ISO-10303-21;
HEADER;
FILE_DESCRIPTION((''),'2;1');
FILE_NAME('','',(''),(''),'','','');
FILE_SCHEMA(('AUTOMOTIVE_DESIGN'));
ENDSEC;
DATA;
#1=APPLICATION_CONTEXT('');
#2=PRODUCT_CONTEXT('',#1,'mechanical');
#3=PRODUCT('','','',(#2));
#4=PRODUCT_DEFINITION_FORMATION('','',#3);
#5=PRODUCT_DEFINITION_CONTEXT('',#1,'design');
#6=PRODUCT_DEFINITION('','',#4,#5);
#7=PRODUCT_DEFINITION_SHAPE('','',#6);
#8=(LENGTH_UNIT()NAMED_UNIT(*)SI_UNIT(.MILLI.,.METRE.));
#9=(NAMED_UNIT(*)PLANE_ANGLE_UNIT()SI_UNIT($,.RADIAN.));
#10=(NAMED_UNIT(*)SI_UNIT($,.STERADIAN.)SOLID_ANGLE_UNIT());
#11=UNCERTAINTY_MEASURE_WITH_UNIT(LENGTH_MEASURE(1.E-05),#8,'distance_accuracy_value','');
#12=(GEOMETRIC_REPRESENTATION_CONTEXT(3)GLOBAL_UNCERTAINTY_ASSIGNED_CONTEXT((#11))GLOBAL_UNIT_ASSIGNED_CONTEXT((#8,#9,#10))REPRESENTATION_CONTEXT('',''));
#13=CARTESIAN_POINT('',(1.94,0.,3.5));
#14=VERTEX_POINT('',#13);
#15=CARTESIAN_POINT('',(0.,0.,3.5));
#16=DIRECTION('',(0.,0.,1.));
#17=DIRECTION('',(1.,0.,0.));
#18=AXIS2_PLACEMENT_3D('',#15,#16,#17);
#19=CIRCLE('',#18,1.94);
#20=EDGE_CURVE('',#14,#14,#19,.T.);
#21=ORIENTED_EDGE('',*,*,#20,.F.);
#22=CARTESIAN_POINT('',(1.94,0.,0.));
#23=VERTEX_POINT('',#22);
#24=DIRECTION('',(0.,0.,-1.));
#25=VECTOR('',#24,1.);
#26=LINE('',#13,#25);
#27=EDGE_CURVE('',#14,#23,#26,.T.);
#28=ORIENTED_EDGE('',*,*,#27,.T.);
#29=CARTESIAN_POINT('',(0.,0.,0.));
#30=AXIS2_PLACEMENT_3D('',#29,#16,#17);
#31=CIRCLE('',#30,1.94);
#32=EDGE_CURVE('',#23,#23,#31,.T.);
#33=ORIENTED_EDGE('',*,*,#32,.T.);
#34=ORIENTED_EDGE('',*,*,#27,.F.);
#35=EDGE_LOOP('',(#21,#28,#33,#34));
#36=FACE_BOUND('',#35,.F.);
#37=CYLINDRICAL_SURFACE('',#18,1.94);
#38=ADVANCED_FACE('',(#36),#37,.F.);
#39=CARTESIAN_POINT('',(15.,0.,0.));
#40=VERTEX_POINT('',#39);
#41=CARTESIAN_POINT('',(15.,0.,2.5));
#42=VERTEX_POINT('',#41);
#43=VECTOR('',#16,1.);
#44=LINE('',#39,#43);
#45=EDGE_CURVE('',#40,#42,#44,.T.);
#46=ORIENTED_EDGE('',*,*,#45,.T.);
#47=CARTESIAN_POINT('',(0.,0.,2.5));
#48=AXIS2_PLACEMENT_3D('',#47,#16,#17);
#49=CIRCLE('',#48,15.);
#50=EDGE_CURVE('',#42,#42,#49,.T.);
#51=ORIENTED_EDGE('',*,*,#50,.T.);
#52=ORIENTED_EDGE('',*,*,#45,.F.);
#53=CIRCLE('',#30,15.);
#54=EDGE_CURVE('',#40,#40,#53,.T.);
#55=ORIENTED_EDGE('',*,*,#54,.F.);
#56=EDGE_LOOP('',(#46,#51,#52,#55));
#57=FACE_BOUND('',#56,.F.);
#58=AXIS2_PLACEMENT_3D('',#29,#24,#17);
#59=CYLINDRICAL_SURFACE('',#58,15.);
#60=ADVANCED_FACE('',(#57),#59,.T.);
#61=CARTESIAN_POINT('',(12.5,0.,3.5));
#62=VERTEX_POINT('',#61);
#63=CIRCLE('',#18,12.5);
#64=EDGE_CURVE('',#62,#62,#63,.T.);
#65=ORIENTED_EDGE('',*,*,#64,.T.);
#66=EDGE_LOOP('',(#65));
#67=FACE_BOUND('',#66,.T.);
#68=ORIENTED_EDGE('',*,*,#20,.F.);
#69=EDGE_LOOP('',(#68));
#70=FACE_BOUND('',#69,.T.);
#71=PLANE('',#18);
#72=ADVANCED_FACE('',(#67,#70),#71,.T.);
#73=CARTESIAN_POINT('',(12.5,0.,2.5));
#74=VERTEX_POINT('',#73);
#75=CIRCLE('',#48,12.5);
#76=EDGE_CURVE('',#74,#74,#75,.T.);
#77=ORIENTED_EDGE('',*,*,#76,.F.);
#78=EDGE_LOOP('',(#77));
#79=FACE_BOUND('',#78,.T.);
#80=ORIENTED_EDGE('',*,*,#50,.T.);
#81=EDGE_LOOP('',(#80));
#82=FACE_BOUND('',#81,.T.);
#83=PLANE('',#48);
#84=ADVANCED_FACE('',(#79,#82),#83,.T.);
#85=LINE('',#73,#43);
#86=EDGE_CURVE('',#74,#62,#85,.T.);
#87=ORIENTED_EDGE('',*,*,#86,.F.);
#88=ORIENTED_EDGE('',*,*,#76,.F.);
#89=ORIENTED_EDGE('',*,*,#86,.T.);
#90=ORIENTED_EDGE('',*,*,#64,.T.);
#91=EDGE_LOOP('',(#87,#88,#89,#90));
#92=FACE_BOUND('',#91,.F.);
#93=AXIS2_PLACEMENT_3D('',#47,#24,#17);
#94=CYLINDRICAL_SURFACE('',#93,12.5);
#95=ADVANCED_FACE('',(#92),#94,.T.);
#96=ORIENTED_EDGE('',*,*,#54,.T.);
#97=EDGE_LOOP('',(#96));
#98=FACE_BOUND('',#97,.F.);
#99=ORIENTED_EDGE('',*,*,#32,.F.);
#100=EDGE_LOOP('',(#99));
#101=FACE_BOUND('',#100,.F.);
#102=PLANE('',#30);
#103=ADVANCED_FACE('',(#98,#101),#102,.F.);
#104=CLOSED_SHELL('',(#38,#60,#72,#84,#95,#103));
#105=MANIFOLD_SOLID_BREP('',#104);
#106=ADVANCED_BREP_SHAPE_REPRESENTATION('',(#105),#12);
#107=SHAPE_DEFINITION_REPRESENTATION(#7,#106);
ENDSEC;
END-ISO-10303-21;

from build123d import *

# Parameters (mm, degrees)
F0_R     = 15
F1_DEPTH = 2.5
F2_R     = 12.5
F3_DEPTH = 1
F4_R     = 1.94
F5_DEPTH = 3.5


with BuildPart() as f1:
    # F0 (on Top) → F1 (new body)
    with BuildSketch(Plane.XY):
        Circle(F0_R)
    extrude(amount=F1_DEPTH)

    # F2 (on face) → F3 (join)
    with BuildSketch(Plane.XY.offset(2.5)):
        Circle(F2_R)
    extrude(amount=F3_DEPTH)

    # F4 (on face) → F5 (cut, through all)
    with BuildSketch(Plane.XY.offset(3.5)):
        Circle(F4_R)
    extrude(amount=-F5_DEPTH, mode=Mode.SUBTRACT)


solid = f1.part
